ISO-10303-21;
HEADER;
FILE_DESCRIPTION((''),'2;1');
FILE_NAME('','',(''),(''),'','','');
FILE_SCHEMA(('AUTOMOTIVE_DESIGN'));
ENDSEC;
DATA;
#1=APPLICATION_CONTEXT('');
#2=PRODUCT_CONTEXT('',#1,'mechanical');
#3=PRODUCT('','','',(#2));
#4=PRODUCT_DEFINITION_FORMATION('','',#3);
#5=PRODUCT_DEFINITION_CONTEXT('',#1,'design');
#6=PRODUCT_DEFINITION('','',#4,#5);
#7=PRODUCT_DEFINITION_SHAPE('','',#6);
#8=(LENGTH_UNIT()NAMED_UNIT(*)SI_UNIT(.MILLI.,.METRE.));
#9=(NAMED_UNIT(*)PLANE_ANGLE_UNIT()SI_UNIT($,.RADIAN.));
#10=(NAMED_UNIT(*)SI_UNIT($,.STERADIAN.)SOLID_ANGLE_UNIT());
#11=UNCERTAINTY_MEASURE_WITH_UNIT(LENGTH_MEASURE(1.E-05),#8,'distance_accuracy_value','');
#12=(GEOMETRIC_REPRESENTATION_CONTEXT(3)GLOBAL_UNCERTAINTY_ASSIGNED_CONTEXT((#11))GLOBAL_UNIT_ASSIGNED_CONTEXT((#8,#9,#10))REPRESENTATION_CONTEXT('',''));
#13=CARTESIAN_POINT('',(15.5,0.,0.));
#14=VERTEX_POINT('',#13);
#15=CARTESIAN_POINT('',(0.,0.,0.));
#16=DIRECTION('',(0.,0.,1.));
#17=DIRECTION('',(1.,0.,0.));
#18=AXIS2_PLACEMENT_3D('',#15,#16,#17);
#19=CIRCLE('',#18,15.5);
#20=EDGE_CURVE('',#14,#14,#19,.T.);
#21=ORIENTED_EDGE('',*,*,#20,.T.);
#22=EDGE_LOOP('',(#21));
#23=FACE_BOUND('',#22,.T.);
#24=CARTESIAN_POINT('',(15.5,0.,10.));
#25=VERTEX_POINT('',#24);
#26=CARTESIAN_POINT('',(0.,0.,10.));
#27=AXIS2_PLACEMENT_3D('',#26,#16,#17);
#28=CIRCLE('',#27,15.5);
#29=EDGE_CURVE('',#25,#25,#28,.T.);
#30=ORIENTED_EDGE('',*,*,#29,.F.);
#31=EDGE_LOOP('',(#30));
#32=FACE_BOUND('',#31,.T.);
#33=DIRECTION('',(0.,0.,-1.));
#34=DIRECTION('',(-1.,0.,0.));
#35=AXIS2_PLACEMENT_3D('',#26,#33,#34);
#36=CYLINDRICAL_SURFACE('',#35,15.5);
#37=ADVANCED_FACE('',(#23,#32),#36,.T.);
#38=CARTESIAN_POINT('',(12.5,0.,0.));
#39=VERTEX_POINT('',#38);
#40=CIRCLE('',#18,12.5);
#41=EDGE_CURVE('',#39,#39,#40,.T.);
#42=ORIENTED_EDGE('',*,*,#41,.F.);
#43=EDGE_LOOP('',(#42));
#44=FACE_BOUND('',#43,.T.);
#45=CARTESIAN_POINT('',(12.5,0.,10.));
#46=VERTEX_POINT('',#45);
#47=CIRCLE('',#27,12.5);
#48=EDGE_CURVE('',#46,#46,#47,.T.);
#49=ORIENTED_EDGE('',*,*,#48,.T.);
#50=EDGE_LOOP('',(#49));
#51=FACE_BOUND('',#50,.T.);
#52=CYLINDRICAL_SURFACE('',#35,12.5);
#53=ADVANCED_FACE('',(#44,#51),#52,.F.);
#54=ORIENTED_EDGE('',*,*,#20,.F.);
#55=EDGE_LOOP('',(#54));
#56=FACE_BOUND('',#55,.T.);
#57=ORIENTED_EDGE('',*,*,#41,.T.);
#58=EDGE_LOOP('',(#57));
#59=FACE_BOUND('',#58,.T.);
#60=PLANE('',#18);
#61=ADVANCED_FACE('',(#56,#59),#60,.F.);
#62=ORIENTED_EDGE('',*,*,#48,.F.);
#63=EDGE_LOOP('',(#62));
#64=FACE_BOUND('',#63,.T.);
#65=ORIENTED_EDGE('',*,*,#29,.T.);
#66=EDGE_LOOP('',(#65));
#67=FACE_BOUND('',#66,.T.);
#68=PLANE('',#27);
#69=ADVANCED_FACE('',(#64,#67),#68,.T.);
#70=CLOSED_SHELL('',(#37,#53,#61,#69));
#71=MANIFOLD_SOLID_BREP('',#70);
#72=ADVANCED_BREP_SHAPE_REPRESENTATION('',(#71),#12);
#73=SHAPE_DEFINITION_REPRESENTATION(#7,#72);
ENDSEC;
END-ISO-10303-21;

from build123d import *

# Parameters (mm, degrees)
SZKIC1_R                    = 15.5
SZKIC1_R_2                  = 12.5
DODANIE_WYCI_GNI_CIE1_DEPTH = 10


with BuildPart() as part:
    # Szkic1 → Dodanie-wyciągnięcie1 (new body)
    with BuildSketch(Plane.XY):
        Circle(SZKIC1_R)
        Circle(SZKIC1_R_2, mode=Mode.SUBTRACT)
    extrude(amount=DODANIE_WYCI_GNI_CIE1_DEPTH)


solid = part.part
